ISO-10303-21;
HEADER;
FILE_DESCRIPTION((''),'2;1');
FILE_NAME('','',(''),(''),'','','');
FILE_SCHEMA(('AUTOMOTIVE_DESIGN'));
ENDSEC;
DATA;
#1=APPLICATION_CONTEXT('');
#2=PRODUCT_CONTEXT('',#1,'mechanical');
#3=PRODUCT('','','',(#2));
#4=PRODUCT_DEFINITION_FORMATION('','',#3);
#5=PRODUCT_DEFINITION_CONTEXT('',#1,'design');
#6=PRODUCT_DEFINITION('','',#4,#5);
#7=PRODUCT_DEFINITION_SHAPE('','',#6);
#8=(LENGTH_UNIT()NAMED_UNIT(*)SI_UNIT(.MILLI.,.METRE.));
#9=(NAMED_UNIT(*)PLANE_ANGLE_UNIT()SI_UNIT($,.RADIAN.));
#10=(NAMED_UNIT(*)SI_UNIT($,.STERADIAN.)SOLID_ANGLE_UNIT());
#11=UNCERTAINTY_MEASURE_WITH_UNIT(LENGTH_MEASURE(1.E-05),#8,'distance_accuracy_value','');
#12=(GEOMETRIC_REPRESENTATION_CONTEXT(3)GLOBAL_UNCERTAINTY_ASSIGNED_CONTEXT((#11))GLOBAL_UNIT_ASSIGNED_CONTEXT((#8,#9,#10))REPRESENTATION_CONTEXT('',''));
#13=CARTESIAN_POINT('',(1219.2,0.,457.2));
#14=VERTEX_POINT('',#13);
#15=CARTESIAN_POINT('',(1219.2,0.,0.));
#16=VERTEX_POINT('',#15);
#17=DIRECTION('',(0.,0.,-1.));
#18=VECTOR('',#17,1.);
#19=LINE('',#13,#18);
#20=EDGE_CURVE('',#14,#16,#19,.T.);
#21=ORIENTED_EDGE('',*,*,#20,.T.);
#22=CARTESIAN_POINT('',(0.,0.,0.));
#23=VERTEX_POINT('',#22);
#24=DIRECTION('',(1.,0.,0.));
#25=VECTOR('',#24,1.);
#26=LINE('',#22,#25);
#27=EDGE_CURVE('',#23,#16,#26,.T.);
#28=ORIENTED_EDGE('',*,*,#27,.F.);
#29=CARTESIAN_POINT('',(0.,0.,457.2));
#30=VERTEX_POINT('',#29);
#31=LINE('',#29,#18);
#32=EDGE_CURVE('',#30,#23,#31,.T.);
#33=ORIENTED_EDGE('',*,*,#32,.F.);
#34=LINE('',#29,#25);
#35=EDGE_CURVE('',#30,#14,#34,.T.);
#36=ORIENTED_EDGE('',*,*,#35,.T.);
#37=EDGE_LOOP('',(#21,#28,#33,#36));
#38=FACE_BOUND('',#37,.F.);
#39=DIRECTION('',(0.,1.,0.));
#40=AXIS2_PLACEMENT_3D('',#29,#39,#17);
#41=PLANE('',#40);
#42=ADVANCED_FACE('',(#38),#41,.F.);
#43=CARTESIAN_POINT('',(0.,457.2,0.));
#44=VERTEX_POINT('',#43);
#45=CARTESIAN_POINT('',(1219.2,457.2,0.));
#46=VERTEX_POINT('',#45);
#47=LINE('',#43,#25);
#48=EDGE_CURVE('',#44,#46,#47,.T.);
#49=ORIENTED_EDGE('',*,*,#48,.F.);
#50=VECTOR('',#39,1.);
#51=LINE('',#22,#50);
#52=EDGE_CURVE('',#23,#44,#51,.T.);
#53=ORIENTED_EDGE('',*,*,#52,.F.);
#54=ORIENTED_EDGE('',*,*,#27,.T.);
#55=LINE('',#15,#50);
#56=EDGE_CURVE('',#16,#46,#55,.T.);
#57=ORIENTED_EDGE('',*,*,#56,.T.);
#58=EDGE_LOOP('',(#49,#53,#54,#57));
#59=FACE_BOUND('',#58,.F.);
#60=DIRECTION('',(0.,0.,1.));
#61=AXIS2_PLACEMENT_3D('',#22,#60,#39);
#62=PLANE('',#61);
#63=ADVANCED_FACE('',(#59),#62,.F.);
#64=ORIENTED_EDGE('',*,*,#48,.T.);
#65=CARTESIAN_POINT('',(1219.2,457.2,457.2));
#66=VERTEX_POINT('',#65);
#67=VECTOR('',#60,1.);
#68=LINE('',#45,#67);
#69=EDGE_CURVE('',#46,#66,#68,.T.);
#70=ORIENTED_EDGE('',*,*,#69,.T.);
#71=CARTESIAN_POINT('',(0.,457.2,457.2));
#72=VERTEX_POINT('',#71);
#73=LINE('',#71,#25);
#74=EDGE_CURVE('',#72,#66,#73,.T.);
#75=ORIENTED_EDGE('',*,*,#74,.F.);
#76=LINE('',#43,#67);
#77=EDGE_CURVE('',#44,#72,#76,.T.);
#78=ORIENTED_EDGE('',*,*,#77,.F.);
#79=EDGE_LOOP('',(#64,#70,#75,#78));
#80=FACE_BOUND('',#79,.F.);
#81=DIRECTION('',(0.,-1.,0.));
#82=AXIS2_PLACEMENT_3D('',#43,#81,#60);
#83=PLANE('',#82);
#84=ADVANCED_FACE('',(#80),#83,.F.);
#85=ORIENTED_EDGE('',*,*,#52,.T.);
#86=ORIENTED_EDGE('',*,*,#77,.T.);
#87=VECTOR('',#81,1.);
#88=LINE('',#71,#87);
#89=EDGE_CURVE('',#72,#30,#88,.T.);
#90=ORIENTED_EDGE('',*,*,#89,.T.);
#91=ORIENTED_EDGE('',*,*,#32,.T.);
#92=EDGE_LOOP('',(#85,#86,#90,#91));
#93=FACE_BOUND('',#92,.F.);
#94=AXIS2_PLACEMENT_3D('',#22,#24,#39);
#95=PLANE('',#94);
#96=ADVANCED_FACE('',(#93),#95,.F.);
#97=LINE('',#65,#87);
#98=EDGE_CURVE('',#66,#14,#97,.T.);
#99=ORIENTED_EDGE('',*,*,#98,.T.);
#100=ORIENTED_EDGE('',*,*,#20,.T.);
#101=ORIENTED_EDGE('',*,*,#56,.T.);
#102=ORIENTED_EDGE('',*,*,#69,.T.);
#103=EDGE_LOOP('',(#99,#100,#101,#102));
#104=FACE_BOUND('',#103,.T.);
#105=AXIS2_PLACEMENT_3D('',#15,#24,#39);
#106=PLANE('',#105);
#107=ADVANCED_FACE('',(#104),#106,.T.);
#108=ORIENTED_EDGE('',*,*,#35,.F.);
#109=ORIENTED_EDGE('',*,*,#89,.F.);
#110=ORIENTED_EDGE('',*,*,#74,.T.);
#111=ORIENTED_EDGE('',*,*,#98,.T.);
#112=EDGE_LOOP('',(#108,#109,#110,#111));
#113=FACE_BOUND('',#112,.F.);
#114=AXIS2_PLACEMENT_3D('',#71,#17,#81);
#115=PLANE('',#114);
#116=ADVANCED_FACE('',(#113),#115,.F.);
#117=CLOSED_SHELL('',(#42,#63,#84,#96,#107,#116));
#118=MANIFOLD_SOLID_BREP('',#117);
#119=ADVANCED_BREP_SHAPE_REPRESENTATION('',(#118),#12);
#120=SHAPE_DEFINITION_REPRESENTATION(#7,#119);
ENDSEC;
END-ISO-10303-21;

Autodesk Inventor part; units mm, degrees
ref_plane "YZ Plane" through (0, 0, 0) normal (1, 0, 0) x (0, 1, 0)
ref_plane "XZ Plane" through (0, 0, 0) normal (0, 1, 0) x (-1, 0, 0)
ref_plane "XY Plane" through (0, 0, 0) normal (0, 0, 1) x (1, 0, 0)
sketch "Sketch1" plane through (0, 0, 0) normal (1, 0, 0) x (0, 1, 0)
  line L0 (0, 0) -> (457.2, 0)
  line L1 (457.2, 0) -> (457.2, 457.2)
  line L2 (457.2, 457.2) -> (0, 457.2)
  line L3 (0, 457.2) -> (0, 0)
  dimension "d0" = 457.2
  dimension "d1" = 457.2
extrude "Extrusion1" add sketch "Sketch1" along normal blind 1219.2
properties part number "18x18x48 - 17" material "Granite, Cut, Polished"
